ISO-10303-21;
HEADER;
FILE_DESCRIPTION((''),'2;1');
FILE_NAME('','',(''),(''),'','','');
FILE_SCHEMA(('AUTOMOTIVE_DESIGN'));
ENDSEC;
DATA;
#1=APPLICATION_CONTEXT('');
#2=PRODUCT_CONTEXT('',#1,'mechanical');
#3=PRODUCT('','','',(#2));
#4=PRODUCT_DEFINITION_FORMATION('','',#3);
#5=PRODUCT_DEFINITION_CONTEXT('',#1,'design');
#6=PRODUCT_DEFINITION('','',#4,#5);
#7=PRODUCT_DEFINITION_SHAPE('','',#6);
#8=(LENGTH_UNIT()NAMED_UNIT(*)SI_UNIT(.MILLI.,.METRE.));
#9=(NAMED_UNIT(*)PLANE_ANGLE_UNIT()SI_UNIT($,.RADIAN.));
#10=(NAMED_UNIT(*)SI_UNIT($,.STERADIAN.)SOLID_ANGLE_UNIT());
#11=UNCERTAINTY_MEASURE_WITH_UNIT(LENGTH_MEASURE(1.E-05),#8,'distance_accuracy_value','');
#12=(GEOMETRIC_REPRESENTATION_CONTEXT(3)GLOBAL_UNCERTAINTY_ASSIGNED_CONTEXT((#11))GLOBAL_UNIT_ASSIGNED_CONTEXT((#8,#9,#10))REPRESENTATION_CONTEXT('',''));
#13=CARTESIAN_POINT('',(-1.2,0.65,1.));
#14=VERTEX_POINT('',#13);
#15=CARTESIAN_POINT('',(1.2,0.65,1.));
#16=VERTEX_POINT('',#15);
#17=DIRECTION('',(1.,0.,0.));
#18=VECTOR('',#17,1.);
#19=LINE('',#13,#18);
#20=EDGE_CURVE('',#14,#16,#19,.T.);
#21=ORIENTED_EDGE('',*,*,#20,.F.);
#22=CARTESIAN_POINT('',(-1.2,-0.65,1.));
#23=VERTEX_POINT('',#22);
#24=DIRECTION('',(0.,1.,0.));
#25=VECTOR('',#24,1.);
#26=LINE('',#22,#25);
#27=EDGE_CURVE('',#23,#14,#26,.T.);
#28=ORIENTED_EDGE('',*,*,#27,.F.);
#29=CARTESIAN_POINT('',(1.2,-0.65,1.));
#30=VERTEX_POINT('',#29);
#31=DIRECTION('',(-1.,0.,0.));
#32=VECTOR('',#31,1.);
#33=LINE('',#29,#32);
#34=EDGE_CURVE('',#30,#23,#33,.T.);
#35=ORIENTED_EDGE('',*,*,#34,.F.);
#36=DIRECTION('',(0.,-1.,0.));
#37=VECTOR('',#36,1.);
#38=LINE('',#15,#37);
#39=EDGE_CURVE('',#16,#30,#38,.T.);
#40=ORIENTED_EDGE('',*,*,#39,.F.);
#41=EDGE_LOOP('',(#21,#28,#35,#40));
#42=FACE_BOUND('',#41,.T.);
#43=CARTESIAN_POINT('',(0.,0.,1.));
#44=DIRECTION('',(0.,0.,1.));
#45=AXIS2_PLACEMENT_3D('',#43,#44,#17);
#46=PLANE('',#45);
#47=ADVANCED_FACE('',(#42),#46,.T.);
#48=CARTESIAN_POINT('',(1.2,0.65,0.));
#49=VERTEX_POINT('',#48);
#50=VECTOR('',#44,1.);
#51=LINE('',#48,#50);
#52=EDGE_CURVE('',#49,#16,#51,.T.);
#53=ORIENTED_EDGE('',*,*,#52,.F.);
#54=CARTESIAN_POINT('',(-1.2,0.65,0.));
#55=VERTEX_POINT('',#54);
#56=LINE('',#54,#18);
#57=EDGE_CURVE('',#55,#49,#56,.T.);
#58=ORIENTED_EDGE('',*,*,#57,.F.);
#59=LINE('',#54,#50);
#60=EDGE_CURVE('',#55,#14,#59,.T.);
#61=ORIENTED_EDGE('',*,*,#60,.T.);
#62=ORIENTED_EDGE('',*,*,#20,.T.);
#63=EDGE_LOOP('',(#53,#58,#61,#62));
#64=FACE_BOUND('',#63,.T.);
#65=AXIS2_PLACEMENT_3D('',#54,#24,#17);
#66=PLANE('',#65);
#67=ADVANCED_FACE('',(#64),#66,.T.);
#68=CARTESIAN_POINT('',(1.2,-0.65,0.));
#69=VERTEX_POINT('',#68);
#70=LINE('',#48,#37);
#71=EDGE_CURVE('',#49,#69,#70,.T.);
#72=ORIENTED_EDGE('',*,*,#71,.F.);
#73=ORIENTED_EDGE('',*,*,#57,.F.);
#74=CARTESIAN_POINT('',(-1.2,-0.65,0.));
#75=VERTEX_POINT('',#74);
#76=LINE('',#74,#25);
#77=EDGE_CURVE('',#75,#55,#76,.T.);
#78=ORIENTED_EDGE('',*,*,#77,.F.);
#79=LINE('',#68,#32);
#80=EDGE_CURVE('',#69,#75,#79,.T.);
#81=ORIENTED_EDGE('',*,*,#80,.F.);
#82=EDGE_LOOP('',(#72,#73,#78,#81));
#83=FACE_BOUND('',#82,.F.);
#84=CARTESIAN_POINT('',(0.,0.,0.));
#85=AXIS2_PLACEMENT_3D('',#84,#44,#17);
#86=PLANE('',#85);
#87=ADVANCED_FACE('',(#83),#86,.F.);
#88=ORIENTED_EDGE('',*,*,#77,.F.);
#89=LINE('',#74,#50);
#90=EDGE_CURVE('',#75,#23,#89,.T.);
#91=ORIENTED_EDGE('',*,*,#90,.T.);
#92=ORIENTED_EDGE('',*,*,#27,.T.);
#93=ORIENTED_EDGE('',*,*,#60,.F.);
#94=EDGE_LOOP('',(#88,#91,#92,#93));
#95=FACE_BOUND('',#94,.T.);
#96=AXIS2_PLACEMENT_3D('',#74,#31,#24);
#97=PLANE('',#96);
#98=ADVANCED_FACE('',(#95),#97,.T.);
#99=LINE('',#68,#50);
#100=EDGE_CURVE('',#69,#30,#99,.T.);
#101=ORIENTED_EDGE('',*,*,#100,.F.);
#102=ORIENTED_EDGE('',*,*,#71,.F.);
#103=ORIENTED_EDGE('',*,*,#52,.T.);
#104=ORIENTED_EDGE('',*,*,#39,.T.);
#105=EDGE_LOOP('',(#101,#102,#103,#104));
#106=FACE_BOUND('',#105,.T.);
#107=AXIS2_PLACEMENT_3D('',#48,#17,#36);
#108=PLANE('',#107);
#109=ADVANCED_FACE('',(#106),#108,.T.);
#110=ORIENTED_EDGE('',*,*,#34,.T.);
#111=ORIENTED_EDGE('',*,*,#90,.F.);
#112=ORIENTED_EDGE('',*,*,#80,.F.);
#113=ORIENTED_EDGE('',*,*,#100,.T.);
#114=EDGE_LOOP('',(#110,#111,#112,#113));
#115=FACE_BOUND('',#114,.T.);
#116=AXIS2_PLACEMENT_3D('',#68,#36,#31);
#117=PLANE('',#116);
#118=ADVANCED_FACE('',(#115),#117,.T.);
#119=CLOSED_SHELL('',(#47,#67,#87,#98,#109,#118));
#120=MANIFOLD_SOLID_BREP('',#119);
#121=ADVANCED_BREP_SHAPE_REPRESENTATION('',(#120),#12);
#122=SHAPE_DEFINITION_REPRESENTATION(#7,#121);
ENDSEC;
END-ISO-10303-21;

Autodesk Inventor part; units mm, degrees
ref_plane "YZ Plane" through (0, 0, 0) normal (1, 0, 0) x (0, 1, 0)
ref_plane "XZ Plane" through (0, 0, 0) normal (0, 1, 0) x (-1, 0, 0)
ref_plane "XY Plane" through (0, 0, 0) normal (0, 0, 1) x (1, 0, 0)
sketch "0402, 0_1UF_1" plane through (0, 0, 0) normal (0, 0, 1) x (1, 0, 0)
  line L0 (-1.2, 0.65) -> (1.2, 0.65)
  line L1 (1.2, 0.65) -> (1.2, -0.65)
  line L2 (1.2, -0.65) -> (-1.2, -0.65)
  line L3 (-1.2, -0.65) -> (-1.2, 0.65)
extrude "Extrusion1" add sketch "0402, 0_1UF_1" along normal blind 1
properties part number "0_1UF"
